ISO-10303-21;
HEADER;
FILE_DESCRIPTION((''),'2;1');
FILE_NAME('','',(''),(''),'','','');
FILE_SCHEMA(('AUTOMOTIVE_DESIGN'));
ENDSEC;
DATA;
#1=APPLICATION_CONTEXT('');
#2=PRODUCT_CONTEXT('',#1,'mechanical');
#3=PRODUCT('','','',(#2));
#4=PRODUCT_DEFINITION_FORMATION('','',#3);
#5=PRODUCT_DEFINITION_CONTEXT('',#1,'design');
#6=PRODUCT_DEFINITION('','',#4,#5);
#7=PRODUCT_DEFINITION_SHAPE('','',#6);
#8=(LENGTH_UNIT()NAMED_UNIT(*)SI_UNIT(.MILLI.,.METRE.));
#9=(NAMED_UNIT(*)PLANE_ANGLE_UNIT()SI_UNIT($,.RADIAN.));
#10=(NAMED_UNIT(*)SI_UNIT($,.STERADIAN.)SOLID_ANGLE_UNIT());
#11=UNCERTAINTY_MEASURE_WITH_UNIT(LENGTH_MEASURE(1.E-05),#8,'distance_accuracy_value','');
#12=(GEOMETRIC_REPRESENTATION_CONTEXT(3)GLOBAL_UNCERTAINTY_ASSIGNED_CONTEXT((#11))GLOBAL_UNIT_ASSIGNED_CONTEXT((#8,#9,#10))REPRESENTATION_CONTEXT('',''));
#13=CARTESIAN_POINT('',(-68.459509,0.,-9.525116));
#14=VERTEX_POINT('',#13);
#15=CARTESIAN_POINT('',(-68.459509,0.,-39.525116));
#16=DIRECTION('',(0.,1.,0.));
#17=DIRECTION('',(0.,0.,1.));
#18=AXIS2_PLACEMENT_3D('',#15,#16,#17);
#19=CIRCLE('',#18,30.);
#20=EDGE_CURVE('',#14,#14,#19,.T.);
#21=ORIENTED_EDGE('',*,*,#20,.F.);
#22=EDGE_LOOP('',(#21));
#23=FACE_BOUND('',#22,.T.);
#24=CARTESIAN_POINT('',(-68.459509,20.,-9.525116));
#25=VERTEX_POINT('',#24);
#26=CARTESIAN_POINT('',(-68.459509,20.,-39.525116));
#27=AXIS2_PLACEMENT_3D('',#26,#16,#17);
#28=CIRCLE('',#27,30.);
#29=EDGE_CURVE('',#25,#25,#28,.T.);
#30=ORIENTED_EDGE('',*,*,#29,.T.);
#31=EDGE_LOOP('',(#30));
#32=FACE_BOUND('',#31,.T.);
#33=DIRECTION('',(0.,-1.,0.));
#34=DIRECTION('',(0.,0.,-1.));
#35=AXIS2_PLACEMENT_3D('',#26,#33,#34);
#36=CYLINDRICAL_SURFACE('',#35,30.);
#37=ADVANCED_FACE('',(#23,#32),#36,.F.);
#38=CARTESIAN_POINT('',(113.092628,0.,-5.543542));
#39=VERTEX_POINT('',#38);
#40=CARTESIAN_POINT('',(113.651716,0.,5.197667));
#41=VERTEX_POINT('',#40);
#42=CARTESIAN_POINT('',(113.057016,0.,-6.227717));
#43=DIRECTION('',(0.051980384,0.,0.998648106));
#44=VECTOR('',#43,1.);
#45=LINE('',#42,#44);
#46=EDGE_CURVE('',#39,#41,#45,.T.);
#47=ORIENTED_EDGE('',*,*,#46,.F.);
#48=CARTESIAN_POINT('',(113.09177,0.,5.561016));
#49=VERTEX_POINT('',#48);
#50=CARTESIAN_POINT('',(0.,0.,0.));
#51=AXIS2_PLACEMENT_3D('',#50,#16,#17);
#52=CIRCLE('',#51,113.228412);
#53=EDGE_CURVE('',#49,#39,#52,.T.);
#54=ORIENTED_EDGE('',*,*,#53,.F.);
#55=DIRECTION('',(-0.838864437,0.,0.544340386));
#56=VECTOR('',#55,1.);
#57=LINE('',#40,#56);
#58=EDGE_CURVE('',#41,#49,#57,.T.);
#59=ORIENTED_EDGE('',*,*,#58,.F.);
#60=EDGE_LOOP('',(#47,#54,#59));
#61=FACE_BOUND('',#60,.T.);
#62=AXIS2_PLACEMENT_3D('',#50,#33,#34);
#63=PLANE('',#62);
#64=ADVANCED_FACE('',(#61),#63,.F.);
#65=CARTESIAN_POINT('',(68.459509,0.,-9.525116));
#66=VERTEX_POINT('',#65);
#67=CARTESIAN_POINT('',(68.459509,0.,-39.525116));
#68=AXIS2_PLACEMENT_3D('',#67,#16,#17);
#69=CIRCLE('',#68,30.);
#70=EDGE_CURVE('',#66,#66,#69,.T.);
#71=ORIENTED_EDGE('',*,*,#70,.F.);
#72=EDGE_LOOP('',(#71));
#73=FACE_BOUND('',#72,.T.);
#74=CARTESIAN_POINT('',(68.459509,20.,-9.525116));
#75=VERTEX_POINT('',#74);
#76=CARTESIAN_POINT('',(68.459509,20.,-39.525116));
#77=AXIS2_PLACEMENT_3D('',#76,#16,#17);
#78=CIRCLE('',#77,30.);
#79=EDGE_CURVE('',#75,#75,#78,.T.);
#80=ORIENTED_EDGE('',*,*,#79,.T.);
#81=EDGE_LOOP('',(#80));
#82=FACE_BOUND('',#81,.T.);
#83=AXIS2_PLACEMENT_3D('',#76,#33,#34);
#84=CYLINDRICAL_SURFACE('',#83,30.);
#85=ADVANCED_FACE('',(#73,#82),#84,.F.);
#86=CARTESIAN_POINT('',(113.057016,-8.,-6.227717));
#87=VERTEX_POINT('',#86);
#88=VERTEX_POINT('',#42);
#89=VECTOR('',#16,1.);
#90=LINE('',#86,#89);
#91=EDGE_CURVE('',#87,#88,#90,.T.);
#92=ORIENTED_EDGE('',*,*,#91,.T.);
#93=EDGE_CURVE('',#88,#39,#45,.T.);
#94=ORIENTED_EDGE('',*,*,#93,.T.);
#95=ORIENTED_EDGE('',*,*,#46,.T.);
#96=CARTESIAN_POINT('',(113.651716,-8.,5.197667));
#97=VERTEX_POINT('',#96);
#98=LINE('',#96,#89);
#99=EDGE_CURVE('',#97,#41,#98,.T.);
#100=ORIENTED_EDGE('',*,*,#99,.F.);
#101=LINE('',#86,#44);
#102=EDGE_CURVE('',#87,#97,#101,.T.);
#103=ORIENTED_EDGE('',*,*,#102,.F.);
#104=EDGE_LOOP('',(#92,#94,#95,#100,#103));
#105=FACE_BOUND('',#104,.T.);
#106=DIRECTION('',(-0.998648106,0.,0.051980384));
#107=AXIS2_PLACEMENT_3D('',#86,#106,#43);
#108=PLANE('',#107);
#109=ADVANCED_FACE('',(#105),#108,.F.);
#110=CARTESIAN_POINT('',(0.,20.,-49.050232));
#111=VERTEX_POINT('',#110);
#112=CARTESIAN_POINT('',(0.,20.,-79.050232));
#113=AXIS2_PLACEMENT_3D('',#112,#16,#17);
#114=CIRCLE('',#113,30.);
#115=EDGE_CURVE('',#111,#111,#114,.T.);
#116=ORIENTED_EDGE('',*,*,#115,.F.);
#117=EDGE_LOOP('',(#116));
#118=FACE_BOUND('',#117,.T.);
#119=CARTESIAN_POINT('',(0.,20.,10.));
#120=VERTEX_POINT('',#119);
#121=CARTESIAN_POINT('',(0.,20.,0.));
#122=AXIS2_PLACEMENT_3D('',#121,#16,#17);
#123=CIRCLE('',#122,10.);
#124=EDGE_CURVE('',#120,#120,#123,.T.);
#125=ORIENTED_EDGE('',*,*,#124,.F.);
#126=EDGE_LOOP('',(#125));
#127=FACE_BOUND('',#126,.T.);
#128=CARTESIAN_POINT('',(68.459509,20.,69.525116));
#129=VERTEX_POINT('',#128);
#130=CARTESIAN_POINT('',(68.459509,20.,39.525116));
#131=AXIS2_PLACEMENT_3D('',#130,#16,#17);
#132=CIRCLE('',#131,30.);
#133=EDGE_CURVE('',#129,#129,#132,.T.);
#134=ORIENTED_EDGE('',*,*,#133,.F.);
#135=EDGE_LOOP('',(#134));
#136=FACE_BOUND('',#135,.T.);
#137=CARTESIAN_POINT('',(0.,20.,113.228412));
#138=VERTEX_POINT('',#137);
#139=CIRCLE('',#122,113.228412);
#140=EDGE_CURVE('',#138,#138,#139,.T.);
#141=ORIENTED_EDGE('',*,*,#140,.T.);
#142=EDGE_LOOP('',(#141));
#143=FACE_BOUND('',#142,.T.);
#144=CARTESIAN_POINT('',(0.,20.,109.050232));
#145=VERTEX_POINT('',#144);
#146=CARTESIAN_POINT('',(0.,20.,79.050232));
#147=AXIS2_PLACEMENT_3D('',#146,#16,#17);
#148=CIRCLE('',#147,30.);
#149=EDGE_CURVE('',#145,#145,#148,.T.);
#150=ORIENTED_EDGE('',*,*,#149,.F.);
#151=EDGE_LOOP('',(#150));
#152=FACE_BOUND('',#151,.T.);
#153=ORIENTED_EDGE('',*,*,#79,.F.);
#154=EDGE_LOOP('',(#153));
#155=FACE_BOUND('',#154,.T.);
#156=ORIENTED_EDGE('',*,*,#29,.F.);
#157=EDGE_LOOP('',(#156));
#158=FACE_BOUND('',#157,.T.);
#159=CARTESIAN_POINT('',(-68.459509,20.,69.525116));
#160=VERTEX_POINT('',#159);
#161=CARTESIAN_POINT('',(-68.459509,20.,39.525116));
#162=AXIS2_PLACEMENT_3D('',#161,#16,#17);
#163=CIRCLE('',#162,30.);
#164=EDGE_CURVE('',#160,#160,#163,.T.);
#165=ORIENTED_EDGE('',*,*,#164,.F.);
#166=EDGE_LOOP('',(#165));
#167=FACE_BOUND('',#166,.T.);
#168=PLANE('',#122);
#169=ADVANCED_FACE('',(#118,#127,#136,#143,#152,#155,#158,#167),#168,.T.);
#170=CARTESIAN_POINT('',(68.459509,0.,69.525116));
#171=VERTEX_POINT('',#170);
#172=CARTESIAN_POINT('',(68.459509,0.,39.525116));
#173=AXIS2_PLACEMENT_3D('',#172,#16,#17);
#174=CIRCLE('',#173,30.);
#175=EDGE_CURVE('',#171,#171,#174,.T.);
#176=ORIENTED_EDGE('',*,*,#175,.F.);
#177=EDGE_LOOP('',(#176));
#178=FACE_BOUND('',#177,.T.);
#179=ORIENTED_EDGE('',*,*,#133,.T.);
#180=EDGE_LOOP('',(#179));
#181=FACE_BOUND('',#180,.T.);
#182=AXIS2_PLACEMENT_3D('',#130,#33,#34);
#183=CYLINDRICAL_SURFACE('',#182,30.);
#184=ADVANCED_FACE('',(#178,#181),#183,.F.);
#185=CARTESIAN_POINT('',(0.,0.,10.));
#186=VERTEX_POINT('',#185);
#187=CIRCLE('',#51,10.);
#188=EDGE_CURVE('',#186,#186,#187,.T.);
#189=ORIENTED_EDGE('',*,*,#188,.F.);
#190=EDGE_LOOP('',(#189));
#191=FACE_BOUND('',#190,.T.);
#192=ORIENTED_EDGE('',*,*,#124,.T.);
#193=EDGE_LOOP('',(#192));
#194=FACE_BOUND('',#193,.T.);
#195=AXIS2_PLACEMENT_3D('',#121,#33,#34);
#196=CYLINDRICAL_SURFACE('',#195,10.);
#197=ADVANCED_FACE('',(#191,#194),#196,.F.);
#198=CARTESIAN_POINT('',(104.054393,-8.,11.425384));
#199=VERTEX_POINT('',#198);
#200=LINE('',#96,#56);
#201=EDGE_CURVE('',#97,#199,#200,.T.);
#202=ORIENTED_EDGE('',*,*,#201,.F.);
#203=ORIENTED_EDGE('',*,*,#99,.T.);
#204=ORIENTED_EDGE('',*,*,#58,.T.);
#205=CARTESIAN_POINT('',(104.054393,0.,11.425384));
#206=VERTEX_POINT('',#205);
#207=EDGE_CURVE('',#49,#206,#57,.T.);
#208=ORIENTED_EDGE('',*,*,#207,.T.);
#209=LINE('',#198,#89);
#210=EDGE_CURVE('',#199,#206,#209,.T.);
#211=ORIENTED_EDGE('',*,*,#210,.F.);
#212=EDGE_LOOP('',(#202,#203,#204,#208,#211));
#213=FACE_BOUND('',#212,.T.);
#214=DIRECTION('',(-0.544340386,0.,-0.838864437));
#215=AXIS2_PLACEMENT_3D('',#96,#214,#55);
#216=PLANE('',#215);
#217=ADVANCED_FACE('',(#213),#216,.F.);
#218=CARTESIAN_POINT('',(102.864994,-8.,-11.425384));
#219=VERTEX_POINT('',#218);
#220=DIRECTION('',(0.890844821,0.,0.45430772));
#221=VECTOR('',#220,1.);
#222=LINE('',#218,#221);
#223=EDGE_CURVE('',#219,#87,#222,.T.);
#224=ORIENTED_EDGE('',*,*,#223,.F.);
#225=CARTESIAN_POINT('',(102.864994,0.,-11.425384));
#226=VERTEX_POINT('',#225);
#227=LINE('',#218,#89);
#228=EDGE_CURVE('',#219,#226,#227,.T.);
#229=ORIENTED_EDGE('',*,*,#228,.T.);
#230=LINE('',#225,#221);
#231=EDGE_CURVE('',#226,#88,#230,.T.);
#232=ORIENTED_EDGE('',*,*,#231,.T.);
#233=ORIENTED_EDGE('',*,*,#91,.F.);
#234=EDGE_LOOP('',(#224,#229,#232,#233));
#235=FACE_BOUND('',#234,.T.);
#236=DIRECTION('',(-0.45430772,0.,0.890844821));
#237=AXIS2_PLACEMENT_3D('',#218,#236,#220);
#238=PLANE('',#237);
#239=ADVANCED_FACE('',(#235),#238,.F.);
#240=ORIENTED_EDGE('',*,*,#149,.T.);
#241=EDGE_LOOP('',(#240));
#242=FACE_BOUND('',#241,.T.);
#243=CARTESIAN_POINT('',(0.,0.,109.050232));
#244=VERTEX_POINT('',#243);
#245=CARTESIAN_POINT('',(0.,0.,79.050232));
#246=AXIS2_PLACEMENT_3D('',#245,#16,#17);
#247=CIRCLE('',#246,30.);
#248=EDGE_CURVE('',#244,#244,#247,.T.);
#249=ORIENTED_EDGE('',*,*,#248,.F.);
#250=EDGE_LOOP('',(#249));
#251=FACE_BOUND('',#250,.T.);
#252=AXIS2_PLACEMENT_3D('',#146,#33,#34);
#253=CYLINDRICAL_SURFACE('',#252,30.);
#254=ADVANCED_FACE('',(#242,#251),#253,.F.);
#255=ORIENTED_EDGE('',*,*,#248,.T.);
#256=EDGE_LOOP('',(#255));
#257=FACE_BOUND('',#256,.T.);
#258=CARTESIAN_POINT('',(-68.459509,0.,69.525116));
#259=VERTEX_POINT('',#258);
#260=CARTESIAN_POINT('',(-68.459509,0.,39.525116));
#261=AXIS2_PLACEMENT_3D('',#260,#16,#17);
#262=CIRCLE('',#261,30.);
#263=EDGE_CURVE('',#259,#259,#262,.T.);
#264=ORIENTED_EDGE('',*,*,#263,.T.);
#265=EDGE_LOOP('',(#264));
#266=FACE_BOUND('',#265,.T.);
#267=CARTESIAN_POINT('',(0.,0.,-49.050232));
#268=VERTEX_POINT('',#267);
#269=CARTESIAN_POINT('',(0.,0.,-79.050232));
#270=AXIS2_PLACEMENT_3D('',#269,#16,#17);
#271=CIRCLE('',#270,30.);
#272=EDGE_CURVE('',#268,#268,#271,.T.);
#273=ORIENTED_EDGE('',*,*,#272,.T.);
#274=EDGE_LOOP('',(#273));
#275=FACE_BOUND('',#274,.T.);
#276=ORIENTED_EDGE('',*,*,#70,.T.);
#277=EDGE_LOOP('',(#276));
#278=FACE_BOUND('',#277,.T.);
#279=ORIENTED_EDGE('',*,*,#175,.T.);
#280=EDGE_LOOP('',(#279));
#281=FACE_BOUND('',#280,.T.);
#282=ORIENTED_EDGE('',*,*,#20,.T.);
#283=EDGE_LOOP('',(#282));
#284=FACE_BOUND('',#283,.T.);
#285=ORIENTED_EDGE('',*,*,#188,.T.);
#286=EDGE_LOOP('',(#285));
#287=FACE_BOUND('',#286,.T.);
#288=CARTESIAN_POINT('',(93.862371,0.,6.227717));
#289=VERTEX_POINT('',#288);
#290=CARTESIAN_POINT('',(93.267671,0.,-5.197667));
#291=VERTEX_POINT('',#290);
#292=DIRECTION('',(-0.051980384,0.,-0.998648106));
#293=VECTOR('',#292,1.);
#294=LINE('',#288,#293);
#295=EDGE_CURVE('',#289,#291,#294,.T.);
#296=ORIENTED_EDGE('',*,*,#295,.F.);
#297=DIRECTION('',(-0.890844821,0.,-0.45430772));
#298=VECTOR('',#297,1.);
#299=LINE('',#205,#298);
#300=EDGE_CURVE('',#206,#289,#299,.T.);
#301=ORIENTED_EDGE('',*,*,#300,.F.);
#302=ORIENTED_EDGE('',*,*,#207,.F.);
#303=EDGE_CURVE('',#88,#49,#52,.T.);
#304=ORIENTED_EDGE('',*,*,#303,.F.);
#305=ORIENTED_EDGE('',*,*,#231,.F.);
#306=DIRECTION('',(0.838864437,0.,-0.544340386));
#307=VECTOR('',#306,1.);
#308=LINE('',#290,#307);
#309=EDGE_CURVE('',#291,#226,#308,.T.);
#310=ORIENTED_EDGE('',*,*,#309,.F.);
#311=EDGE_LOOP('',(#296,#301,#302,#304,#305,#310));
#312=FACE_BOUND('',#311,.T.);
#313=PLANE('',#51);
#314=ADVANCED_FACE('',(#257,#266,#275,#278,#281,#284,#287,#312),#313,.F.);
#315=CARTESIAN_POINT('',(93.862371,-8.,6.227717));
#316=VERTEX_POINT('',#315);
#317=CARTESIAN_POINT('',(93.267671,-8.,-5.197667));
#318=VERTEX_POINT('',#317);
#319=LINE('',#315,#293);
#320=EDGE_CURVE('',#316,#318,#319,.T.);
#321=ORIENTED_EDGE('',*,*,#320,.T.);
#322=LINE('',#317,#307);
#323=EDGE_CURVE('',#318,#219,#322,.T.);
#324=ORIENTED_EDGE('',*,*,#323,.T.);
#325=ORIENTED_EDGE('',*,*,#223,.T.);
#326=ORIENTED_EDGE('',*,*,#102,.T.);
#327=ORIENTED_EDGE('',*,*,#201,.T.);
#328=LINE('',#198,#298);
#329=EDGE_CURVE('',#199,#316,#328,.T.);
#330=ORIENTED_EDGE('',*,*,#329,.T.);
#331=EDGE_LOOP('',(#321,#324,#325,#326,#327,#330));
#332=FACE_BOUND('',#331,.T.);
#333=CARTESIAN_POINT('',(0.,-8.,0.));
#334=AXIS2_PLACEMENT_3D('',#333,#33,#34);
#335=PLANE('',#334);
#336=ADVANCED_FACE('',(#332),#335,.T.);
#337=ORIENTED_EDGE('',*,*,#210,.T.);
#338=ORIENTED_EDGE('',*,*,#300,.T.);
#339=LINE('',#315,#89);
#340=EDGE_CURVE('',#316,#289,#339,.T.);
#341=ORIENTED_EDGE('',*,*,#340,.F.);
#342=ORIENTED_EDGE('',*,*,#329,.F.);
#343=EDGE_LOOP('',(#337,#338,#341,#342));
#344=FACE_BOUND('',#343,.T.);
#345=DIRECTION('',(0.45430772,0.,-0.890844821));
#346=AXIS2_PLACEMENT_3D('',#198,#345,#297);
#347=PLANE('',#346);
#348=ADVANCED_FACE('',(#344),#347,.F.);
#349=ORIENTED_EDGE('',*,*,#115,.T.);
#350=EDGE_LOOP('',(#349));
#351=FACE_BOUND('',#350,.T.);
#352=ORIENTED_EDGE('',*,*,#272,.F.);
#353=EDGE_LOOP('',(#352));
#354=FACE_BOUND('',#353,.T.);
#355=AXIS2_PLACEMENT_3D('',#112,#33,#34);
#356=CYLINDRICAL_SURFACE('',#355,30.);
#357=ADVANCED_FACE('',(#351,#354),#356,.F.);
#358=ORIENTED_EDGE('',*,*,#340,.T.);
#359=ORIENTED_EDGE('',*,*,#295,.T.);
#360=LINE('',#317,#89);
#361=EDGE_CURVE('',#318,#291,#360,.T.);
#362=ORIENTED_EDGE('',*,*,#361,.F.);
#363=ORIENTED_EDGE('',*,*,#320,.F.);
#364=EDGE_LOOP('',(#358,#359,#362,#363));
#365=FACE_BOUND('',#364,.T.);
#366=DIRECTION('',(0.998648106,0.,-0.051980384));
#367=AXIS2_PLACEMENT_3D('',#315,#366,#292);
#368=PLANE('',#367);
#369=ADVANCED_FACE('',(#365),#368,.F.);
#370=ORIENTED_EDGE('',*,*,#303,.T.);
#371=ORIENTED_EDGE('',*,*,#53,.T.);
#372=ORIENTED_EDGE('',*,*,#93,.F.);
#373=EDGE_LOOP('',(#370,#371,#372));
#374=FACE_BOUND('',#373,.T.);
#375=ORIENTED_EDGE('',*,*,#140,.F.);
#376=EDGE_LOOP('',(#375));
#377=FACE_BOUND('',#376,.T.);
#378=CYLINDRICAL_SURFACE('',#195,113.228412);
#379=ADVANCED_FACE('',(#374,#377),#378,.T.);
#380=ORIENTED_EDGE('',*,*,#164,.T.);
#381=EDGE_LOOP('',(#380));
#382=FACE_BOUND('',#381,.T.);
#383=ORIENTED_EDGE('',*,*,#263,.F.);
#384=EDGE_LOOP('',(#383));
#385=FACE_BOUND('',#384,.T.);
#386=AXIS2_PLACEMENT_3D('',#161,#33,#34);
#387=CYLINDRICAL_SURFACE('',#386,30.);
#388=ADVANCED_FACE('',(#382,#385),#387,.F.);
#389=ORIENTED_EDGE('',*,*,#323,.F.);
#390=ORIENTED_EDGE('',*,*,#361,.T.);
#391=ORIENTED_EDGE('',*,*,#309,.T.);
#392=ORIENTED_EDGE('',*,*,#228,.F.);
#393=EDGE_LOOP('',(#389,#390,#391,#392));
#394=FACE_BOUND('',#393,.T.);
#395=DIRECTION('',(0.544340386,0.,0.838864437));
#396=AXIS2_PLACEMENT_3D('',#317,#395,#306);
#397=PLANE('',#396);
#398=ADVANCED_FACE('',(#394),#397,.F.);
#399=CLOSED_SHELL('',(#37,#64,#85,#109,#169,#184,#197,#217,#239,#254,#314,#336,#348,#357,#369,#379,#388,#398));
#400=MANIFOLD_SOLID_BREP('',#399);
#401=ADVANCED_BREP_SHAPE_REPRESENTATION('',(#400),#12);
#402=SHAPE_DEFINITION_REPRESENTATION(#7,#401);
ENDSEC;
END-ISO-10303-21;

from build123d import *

# Parameters (mm, degrees)
CROQUIS1_R              = 113.228412481
CROQUIS1_R_2            = 30
CROQUIS1_R_3            = 10
SALIENTE_EXTRUIR2_DEPTH = 20
SALIENTE_EXTRUIR3_DEPTH = 8


with BuildPart() as part:
    # Croquis1 → Saliente-Extruir2 (new body)
    with BuildSketch(Plane(origin=(0, 0, 0), x_dir=(1, 0, 0), z_dir=(0, 1, 0))):
        with Locations(Location((0, 0, 0), (0, 0, 270))):
            Circle(CROQUIS1_R)
        with Locations(Location((0, 79.050232258, 0), (0, 0, 270))):
            Circle(CROQUIS1_R_2, mode=Mode.SUBTRACT)
        with Locations(Location((68.459509311, 39.525116129, 0), (0, 0, 270))):
            Circle(CROQUIS1_R_2, mode=Mode.SUBTRACT)
        with Locations(Location((68.459509311, -39.525116129, 0), (0, 0, 270))):
            Circle(CROQUIS1_R_2, mode=Mode.SUBTRACT)
        with Locations(Location((0, -79.050232258, 0), (0, 0, 270))):
            Circle(CROQUIS1_R_2, mode=Mode.SUBTRACT)
        with Locations(Location((-68.459509311, -39.525116129, 0), (0, 0, 270))):
            Circle(CROQUIS1_R_2, mode=Mode.SUBTRACT)
        with Locations(Location((-68.459509311, 39.525116129, 0), (0, 0, 270))):
            Circle(CROQUIS1_R_2, mode=Mode.SUBTRACT)
        with Locations(Location((0, 0, 0), (0, 0, 270))):
            Circle(CROQUIS1_R_3, mode=Mode.SUBTRACT)
    extrude(amount=SALIENTE_EXTRUIR2_DEPTH)

    # Croquis2 → Saliente-Extruir3 (add)
    with BuildSketch(Plane.XZ):
        Polygon((113.057016297, -6.227716999), (113.651716101, 5.197666723), (104.054393451, 11.425383723), (93.862370997, 6.227716999), (93.267671193, -5.197666723), (102.864993843, -11.425383723), align=None)
    extrude(amount=SALIENTE_EXTRUIR3_DEPTH)


solid = part.part
